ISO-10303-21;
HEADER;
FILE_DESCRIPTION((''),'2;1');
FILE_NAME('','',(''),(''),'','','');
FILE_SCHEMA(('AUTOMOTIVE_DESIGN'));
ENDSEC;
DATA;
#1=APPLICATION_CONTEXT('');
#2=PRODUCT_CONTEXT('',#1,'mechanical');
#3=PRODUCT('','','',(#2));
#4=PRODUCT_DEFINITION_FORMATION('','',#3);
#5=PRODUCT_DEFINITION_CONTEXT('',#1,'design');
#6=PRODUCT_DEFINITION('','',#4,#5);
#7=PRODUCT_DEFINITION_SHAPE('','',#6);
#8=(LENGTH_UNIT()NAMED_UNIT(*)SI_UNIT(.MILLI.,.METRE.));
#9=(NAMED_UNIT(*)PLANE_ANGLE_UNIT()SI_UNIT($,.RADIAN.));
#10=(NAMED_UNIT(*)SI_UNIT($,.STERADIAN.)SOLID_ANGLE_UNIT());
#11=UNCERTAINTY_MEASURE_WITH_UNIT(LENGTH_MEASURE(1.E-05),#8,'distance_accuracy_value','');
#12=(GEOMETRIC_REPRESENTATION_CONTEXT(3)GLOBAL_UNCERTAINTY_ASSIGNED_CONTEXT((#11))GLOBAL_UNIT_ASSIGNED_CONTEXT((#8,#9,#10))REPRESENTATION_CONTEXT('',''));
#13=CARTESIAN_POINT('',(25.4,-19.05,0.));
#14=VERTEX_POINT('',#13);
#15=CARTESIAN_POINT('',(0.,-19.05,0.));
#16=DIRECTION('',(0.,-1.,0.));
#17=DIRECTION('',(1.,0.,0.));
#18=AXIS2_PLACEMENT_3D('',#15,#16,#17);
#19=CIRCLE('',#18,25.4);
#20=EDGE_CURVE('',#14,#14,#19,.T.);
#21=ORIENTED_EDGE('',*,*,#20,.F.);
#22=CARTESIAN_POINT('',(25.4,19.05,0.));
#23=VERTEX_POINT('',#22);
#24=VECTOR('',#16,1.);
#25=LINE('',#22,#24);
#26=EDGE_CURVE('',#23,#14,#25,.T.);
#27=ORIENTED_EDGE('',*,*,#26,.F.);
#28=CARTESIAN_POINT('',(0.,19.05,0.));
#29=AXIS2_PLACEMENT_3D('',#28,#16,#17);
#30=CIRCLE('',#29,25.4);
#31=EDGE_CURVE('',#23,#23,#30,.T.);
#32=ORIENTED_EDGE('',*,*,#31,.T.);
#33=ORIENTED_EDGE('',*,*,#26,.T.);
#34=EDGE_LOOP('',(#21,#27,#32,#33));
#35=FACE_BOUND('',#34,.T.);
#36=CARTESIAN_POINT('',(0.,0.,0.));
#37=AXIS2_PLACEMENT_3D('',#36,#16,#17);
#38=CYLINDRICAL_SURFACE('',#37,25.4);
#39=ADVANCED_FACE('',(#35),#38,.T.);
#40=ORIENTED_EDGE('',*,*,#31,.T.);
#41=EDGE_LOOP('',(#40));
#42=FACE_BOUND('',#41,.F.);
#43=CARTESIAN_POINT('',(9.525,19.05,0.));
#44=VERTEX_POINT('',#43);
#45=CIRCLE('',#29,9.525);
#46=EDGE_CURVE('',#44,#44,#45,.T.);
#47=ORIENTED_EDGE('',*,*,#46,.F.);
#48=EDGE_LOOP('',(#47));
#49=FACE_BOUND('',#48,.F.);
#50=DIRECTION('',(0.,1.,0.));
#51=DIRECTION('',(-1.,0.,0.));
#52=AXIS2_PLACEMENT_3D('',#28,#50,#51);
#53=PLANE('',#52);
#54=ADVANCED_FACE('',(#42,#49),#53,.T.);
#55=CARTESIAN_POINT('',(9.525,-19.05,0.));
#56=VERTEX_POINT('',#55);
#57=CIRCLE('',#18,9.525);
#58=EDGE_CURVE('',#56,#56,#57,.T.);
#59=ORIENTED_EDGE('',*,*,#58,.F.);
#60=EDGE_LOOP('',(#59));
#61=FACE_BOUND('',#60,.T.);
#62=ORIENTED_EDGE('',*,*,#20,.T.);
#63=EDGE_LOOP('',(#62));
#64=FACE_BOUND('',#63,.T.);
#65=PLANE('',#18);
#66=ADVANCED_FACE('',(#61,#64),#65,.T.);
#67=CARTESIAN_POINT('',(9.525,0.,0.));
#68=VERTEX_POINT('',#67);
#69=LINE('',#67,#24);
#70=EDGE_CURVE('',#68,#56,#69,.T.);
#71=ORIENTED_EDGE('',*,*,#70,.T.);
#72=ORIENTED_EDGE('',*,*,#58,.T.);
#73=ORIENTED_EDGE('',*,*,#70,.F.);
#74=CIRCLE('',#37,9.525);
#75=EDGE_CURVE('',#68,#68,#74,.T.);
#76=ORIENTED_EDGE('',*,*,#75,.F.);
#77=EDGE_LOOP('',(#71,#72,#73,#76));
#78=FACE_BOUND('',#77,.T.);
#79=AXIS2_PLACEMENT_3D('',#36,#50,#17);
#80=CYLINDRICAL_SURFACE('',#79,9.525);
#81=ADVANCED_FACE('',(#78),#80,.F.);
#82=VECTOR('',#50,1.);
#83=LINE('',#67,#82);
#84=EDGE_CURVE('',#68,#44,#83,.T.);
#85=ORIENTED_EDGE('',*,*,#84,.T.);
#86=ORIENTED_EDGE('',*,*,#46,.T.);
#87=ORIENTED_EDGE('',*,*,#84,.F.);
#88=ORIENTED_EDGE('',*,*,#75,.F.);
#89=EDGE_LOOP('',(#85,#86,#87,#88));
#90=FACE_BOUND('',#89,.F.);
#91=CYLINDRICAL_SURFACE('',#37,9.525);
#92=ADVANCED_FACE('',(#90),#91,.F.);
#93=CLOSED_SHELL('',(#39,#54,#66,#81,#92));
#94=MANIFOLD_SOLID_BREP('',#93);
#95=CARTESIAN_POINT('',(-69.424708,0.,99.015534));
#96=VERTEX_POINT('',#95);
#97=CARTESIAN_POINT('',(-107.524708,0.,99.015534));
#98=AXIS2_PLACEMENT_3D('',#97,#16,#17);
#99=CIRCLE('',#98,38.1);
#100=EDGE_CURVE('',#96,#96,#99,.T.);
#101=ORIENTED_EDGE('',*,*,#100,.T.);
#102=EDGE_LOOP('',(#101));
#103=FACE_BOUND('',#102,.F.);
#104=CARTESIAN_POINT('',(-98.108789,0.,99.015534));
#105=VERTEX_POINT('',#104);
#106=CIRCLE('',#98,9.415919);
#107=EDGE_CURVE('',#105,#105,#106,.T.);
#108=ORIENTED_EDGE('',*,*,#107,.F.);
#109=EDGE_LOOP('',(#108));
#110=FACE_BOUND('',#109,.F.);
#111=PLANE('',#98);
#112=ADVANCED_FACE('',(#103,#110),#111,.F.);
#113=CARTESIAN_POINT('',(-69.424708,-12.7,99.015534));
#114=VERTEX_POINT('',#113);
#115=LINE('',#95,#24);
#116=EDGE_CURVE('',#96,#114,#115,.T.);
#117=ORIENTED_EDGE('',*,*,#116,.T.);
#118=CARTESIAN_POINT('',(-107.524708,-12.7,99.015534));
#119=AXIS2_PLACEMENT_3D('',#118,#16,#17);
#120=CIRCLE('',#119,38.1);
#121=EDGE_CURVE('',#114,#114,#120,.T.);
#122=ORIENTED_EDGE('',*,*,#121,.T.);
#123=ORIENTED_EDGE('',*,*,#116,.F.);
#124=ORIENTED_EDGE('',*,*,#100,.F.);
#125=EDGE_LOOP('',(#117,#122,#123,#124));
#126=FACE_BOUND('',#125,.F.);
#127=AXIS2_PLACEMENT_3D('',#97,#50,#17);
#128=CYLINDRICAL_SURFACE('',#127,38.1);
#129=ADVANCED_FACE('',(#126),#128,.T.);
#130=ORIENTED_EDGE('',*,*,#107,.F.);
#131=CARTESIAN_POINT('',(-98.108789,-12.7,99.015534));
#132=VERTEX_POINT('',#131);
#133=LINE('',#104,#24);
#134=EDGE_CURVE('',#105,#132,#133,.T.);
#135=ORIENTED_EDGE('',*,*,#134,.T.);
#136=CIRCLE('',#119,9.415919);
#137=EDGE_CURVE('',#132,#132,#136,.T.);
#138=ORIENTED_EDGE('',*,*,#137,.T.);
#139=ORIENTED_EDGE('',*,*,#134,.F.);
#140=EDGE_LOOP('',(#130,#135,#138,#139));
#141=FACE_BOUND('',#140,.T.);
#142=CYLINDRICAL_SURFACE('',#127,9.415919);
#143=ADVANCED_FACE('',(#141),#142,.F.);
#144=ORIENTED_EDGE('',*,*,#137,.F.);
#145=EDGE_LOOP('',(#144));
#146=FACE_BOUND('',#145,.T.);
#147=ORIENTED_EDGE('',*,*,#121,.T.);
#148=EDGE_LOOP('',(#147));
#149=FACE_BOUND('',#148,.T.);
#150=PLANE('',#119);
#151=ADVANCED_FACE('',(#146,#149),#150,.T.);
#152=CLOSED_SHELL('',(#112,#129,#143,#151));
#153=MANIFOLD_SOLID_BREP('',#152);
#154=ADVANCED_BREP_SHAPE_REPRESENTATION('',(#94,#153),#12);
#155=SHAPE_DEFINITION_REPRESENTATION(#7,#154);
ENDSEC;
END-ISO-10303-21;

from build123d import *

# Parameters (mm, degrees)
F0_R     = 25.4
F0_R_2   = 9.525
F1_DEPTH = 19.05
F3_R     = 38.1
F3_R_2   = 9.415919
F4_DEPTH = 12.7


with BuildPart() as f1:
    # F0 (on Front) → F1 (new body)
    with BuildSketch(Plane.XZ):
        Circle(F0_R)
        Circle(F0_R_2, mode=Mode.SUBTRACT)
    extrude(amount=F1_DEPTH)

    # F2: F1 across plane


with BuildPart() as f1_1:
    add(f1.part)
    add(f1.part.mirror(Plane.XZ))


with BuildPart() as f4:
    # F3 (on Front) → F4 (new body)
    with BuildSketch(Plane.XZ):
        with Locations((-107.524708, 99.015534)):
            Circle(F3_R)
        with Locations((-107.524708, 99.015534)):
            Circle(F3_R_2, mode=Mode.SUBTRACT)
    extrude(amount=F4_DEPTH)


solid = Compound([f1_1.part, f4.part])
